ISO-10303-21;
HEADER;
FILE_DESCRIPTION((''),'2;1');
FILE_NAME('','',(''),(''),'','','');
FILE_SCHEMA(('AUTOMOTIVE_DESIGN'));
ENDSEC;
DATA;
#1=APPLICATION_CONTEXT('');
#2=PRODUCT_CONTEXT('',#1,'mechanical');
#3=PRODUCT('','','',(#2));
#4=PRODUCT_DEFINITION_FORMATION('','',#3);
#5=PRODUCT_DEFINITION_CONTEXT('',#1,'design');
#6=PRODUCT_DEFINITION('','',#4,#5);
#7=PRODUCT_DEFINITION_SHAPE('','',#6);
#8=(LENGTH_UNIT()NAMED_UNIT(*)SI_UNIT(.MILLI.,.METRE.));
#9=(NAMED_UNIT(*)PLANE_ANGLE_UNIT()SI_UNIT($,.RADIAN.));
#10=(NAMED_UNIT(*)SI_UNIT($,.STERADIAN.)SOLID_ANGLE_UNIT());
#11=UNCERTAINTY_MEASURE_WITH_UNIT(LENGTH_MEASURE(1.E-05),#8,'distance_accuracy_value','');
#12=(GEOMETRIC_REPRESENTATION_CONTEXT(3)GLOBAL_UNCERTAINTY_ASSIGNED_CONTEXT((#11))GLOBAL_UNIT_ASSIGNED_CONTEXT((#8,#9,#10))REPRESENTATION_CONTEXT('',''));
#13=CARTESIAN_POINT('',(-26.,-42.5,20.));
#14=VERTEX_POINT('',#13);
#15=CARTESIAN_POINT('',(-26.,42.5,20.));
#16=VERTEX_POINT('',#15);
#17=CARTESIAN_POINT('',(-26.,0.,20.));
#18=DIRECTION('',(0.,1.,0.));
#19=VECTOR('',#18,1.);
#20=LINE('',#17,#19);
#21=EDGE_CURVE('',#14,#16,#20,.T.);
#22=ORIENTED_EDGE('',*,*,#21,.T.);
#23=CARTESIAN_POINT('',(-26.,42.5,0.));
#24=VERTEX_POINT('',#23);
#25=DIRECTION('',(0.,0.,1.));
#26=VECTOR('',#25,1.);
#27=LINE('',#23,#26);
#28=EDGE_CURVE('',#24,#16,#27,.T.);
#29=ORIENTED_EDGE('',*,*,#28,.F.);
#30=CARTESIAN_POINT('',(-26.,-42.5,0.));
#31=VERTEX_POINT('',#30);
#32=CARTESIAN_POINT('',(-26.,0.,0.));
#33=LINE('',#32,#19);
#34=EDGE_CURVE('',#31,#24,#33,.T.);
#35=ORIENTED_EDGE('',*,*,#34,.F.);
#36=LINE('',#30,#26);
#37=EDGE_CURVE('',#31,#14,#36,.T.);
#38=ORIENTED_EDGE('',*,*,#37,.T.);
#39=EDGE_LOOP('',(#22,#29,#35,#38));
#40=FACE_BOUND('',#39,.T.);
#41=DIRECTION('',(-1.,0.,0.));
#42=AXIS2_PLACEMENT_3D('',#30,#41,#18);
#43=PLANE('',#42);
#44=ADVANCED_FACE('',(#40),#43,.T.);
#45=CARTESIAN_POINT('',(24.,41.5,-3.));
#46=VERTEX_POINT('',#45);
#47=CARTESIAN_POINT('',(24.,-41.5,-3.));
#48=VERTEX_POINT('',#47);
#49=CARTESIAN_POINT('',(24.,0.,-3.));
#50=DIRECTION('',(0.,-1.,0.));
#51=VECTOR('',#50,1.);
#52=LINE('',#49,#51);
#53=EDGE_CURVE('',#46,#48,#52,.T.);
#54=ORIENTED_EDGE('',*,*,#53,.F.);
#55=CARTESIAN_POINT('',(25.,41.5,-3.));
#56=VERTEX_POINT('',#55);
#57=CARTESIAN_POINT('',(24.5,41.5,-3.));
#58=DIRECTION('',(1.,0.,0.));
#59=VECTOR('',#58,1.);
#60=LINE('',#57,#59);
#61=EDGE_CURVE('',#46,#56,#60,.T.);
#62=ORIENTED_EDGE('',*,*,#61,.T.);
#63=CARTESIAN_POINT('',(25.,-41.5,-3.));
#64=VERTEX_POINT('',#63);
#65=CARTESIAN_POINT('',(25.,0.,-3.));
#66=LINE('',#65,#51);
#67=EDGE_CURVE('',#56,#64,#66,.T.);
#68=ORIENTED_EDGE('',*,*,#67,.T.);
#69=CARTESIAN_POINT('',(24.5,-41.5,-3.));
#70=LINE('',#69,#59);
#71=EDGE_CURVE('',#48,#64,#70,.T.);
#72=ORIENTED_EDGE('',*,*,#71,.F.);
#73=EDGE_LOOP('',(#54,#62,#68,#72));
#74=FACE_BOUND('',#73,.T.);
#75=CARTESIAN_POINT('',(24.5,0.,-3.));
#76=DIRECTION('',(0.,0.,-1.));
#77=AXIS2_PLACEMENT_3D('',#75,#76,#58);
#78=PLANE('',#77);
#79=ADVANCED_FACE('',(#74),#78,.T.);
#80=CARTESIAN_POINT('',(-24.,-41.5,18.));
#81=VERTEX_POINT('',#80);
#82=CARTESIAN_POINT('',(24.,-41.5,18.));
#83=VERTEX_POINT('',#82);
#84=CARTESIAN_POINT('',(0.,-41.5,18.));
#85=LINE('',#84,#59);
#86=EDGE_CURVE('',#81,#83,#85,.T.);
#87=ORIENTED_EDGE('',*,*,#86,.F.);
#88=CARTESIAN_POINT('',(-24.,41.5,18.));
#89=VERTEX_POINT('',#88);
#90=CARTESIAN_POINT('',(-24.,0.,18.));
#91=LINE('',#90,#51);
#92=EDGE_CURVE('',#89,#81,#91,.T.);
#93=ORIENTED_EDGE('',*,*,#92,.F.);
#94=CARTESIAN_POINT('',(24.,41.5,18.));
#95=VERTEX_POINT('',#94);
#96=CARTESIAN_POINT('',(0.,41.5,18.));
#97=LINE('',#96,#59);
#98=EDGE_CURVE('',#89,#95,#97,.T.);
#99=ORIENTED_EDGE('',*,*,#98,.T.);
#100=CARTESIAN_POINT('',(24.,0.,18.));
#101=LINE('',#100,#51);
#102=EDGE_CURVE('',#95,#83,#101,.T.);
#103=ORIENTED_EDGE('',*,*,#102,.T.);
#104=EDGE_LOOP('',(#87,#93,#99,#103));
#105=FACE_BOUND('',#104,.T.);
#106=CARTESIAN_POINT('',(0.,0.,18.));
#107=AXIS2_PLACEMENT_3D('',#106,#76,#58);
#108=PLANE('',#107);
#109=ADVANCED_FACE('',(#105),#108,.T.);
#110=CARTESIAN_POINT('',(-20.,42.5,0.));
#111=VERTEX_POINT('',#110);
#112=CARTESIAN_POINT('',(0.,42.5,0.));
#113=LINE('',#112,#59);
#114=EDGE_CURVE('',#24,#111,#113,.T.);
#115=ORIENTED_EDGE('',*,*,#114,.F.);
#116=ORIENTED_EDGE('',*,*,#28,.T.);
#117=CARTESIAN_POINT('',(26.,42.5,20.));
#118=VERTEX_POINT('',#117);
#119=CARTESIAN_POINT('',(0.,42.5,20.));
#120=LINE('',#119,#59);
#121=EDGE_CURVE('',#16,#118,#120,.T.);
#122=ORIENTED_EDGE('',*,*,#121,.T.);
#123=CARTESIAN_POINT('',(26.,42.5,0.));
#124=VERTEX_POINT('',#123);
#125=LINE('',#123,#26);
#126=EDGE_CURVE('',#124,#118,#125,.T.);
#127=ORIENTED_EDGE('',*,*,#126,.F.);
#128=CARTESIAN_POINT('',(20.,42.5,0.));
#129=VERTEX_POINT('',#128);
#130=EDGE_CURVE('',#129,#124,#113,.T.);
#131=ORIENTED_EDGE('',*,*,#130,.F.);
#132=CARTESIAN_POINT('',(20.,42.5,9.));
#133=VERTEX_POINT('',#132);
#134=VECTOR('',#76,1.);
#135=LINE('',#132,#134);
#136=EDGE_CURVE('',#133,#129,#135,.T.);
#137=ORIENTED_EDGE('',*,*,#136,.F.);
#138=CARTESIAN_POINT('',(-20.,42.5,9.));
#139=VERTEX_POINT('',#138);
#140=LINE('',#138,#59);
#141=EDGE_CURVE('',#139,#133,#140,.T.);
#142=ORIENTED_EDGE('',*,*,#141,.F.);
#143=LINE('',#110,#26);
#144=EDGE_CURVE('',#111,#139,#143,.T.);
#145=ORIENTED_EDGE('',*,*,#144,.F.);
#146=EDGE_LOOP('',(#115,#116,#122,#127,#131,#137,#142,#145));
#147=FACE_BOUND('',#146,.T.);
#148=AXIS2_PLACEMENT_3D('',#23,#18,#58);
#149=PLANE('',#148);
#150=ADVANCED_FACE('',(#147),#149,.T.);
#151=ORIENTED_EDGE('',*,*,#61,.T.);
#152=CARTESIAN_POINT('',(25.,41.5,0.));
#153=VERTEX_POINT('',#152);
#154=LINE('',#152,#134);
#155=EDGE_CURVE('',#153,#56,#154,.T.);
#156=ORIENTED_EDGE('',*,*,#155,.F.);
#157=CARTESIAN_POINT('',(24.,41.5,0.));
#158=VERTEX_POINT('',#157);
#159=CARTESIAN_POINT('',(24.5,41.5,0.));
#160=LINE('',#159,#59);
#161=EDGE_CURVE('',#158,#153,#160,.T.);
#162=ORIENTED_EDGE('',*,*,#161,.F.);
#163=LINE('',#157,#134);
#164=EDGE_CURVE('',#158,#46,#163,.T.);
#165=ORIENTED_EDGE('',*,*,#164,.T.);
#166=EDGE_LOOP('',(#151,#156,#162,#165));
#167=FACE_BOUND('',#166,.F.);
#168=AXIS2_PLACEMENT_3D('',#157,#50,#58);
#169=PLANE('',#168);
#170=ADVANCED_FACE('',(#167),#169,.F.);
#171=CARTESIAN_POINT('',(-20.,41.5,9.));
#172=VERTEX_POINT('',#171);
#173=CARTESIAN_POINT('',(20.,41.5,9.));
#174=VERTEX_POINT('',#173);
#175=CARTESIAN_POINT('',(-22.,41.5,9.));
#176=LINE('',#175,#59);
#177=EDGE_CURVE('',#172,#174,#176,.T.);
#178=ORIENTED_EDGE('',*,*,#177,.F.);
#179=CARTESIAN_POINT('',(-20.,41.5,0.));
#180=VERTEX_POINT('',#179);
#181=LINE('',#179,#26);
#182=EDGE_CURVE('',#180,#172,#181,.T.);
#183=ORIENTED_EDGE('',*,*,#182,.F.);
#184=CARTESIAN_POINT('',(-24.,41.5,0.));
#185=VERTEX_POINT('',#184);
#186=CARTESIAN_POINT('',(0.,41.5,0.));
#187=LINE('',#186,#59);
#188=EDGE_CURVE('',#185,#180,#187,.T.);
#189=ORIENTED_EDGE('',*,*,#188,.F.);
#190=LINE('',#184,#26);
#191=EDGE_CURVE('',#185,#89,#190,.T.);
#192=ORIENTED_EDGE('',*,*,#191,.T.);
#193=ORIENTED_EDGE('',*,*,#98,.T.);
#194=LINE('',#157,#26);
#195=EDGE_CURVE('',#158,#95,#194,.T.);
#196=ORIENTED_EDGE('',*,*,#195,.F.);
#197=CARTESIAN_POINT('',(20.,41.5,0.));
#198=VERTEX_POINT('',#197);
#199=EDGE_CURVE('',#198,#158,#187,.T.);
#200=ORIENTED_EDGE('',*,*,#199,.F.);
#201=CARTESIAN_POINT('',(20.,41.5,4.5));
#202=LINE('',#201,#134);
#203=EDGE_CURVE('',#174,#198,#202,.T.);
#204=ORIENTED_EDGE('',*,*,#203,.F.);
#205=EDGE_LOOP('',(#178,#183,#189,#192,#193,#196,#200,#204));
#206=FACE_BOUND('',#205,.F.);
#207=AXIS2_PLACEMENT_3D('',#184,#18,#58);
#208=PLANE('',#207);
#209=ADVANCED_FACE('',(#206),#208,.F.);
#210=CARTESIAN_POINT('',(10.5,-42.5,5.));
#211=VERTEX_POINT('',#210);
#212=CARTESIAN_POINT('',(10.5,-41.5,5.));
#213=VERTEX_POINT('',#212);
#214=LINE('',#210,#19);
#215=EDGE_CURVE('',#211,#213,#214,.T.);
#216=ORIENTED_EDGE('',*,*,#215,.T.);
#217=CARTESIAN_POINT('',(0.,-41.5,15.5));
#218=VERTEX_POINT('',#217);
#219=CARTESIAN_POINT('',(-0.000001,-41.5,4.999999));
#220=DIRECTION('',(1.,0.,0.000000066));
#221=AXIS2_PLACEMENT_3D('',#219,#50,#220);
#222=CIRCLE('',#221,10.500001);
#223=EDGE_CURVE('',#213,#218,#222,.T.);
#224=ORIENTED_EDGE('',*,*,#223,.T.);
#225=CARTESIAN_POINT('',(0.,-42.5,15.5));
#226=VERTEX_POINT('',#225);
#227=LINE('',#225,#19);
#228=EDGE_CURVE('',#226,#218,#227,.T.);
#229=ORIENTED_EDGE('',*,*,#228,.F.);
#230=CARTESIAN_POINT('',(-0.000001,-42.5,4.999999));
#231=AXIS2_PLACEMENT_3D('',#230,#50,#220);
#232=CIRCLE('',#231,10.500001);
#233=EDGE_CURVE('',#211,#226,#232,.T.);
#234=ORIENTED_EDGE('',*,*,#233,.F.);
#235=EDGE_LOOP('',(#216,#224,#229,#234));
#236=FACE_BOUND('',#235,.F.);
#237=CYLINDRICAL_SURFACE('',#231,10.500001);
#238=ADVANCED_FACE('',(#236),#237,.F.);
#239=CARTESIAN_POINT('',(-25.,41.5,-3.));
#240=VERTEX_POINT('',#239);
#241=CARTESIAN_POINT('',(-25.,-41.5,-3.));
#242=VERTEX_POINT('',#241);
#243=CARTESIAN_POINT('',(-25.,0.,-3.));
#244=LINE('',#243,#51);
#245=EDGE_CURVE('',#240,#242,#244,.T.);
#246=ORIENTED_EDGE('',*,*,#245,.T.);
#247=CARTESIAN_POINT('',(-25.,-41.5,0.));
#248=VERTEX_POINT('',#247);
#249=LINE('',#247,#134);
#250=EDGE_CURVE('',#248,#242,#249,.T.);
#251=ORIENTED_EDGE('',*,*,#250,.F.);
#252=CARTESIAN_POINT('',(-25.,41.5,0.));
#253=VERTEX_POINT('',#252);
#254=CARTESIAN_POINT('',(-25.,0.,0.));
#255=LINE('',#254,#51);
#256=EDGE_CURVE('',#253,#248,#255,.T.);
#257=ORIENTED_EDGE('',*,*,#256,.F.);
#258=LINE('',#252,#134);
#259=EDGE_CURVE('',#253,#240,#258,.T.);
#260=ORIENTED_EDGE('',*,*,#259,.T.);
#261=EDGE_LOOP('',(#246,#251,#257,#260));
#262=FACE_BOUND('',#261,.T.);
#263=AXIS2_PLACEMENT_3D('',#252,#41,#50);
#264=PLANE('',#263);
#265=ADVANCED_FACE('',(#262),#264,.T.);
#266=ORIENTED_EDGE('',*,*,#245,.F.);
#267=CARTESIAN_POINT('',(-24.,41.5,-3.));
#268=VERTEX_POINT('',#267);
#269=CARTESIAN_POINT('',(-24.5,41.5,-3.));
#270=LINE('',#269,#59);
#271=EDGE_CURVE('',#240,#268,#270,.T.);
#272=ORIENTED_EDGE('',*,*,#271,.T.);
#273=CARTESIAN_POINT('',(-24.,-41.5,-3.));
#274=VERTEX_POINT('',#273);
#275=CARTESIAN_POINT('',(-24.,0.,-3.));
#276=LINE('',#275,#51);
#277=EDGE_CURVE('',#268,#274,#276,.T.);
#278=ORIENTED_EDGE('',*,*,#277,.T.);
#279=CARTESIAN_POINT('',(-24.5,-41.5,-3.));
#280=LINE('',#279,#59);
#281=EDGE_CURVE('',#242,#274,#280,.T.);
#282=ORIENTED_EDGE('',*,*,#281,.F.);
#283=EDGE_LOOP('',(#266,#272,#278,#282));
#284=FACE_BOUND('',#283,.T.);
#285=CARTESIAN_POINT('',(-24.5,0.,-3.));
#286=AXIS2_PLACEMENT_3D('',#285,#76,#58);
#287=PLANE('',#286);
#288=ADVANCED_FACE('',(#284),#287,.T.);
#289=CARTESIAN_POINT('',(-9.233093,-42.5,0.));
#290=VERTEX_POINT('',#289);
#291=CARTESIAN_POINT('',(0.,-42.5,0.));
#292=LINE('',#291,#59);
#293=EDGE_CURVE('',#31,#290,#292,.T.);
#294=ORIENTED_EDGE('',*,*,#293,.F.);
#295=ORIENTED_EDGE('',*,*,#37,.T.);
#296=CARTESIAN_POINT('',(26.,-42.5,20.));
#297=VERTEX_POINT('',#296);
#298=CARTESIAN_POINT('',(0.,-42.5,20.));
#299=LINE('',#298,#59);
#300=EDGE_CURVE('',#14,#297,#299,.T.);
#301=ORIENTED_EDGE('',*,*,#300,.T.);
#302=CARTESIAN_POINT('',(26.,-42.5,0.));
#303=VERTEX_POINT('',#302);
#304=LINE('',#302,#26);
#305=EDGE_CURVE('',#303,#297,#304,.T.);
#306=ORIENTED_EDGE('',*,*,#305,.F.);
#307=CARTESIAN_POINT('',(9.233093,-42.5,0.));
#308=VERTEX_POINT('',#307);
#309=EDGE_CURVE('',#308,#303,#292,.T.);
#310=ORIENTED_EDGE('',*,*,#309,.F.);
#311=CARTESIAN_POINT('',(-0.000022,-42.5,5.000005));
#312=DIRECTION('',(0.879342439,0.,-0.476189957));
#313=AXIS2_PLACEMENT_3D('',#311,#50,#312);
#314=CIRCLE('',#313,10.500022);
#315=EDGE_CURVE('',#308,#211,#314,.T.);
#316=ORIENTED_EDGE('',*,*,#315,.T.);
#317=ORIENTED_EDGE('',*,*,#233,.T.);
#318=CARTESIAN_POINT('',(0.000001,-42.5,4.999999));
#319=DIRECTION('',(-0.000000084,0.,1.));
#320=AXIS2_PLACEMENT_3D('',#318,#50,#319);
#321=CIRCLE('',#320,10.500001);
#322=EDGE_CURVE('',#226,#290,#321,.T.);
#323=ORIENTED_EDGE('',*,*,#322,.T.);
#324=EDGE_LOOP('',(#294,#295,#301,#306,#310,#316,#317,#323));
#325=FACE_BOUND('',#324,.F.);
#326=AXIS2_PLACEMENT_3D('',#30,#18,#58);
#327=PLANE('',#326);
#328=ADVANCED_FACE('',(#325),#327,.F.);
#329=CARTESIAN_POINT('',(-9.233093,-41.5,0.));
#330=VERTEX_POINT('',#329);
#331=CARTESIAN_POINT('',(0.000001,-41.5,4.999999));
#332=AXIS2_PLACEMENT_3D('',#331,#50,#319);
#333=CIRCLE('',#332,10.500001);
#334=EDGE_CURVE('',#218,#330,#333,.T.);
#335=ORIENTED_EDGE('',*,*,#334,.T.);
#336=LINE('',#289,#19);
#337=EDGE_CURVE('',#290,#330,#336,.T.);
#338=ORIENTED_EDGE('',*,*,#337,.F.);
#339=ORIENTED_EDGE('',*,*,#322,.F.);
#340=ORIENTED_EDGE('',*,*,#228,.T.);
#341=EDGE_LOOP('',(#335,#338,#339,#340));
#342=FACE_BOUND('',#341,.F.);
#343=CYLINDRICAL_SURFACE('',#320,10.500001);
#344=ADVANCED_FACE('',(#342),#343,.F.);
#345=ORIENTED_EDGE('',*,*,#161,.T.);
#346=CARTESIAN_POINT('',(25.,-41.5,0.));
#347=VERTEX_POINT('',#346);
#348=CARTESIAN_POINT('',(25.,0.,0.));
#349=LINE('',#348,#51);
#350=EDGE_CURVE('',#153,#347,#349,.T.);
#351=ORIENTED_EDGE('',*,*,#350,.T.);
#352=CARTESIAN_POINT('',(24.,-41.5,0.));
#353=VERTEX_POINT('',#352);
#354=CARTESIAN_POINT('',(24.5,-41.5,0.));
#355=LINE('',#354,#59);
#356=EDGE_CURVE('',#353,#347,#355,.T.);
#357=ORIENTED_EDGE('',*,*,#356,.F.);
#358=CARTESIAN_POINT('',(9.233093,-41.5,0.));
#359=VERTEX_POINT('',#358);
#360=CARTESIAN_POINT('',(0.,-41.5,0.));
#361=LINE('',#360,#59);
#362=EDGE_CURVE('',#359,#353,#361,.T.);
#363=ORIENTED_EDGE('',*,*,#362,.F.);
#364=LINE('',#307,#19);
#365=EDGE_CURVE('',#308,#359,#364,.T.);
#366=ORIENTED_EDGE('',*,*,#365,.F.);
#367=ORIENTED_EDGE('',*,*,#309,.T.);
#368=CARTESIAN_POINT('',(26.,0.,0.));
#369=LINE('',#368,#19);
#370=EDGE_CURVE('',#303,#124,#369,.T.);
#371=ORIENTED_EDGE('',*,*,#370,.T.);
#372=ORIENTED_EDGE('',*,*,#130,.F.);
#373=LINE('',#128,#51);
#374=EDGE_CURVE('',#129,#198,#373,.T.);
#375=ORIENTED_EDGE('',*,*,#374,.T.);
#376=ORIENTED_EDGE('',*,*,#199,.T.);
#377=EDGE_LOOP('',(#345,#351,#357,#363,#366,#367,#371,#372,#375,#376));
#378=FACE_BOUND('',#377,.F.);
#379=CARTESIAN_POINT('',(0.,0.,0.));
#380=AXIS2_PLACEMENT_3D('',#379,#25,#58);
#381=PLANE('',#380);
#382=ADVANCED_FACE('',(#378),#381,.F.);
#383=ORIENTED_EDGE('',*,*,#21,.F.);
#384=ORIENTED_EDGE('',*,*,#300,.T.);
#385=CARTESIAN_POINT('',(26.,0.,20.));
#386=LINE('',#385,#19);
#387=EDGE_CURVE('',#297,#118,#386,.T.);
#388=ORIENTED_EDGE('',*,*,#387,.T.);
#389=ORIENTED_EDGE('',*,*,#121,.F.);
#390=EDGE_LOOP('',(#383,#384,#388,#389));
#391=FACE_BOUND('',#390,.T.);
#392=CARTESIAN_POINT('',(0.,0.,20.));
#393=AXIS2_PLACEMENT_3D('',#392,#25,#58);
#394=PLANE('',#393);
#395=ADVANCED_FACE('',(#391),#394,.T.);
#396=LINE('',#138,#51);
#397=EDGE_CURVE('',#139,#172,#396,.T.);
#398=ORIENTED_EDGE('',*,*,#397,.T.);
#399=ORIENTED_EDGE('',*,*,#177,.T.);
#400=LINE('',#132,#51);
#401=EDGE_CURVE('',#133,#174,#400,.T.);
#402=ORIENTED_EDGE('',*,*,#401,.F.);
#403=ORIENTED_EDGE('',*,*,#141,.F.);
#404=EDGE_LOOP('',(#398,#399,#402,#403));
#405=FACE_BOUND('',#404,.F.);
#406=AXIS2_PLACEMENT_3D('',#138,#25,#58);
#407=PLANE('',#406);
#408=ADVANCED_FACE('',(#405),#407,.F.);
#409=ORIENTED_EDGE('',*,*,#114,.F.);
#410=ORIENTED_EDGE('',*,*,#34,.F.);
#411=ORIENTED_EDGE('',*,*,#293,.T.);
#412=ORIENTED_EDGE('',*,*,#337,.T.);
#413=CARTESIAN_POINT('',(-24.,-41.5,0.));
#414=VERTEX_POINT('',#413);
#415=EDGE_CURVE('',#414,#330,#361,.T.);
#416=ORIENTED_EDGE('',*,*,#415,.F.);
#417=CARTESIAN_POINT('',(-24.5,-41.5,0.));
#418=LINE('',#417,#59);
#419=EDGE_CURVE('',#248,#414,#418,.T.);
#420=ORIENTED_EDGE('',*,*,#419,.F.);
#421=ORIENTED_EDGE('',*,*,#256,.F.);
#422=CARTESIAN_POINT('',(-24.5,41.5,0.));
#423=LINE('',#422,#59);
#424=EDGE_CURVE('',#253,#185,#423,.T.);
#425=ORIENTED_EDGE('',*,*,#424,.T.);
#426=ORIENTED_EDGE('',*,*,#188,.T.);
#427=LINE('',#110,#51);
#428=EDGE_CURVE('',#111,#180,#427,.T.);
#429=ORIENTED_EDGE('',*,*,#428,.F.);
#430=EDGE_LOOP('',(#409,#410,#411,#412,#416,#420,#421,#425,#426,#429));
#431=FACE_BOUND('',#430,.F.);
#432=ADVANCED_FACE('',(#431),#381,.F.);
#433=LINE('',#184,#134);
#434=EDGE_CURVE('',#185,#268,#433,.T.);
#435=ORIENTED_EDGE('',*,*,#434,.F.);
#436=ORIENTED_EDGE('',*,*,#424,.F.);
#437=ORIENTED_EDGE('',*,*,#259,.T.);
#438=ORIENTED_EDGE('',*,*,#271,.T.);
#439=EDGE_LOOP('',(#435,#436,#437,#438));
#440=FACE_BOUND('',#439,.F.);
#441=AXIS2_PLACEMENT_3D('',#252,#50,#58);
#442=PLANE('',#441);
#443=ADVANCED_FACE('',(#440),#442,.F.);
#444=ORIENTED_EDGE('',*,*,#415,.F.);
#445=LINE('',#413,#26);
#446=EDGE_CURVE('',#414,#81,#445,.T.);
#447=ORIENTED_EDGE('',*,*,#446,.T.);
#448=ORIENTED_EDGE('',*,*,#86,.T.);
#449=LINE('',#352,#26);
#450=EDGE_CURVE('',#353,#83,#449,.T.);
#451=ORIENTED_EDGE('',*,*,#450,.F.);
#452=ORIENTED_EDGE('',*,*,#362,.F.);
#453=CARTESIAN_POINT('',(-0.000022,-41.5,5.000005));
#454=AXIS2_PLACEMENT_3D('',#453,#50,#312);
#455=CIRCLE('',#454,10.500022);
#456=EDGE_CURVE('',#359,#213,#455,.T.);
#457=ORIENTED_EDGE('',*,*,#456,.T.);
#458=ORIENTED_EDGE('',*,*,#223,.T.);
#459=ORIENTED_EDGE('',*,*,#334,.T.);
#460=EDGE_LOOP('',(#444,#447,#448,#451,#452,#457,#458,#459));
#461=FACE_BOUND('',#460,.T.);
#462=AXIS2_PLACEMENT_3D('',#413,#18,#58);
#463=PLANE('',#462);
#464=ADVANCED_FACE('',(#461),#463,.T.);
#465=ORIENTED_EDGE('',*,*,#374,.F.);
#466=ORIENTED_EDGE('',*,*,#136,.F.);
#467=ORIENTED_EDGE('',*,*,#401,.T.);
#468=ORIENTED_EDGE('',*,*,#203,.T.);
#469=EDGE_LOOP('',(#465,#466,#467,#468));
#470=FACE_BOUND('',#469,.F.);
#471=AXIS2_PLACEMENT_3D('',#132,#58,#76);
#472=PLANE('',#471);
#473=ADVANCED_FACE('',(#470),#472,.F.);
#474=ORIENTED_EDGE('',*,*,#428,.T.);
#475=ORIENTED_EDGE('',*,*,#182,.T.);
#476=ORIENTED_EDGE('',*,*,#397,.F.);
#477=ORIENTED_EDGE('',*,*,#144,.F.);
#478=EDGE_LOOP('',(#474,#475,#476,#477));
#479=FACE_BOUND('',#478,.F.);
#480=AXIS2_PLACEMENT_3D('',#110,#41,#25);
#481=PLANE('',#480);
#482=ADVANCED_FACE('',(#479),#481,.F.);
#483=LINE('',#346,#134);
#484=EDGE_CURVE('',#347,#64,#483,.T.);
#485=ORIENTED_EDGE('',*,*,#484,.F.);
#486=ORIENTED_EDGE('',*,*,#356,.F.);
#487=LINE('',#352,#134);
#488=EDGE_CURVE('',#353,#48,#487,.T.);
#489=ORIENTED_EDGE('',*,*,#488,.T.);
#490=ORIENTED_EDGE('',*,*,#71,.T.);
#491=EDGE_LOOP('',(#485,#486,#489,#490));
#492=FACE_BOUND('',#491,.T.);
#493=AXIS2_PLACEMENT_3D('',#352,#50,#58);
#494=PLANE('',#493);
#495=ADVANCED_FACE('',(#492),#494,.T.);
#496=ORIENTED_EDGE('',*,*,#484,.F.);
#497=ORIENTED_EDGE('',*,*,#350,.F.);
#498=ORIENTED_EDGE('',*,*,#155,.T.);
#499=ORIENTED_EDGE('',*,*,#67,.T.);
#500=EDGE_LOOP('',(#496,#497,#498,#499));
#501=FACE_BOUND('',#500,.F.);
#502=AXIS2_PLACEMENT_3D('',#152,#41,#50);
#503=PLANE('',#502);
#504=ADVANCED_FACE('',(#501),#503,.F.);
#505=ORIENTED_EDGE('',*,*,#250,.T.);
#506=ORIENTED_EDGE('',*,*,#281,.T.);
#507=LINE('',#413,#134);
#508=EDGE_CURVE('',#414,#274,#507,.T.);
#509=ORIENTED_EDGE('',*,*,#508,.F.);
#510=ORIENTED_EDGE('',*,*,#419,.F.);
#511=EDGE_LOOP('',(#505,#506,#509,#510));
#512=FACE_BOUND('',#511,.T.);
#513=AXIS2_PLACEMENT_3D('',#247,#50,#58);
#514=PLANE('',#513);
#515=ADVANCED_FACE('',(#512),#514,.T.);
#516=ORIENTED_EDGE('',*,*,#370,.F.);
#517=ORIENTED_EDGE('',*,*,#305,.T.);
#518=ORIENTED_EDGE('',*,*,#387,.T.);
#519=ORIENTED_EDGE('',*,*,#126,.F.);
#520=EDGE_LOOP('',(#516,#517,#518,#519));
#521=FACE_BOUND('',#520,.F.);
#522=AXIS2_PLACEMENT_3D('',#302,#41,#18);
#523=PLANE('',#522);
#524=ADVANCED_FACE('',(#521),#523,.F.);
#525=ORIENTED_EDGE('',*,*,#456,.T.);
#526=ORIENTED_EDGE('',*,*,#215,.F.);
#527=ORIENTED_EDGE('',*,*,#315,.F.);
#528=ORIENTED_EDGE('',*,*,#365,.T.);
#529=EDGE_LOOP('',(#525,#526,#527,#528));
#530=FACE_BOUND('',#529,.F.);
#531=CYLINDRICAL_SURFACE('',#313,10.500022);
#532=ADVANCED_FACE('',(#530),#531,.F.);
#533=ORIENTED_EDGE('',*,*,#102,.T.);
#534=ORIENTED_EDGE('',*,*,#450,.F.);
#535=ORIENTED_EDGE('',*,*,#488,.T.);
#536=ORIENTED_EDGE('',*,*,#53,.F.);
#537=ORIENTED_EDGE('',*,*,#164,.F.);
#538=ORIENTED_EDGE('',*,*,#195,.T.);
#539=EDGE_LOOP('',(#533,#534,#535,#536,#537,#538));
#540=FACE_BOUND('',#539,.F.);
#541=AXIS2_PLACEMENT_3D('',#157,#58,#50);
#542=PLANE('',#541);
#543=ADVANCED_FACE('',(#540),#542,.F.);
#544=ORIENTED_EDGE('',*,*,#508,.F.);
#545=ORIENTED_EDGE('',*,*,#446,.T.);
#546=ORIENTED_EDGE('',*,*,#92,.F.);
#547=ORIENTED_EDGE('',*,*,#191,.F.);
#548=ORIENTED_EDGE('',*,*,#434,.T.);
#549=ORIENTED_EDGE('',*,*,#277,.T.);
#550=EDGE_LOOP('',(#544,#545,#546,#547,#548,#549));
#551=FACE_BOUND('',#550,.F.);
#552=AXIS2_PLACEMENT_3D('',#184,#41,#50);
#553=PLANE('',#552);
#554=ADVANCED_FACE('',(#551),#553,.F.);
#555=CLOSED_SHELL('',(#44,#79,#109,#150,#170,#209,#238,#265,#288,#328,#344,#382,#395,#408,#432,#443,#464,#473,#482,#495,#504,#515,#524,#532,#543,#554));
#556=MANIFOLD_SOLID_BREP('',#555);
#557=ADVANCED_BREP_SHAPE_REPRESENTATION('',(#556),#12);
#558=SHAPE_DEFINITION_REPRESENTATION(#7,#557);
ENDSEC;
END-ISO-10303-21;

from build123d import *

# Parameters (mm, degrees)
F0_W     = 52
F0_H     = 85
F1_DEPTH = 20
F2_W     = 48
F2_H     = 83
F3_DEPTH = 18
F4_W     = 1
F4_H     = 83
F5_DEPTH = 3
F7_DEPTH = 25
F9_DEPTH = 25


with BuildPart() as f1:
    # F0 (on Top) → F1 (new body)
    with BuildSketch(Plane.XY):
        Rectangle(F0_W, F0_H)
    extrude(amount=F1_DEPTH)

    # F2 (on face) → F3 (cut)
    with BuildSketch(Plane(origin=(0, 0, 0), x_dir=(1, 0, 0), z_dir=(0, 0, -1))):
        Rectangle(F2_W, F2_H)
    extrude(amount=-F3_DEPTH, mode=Mode.SUBTRACT)

    # F4 (on face) → F5 (join)
    with BuildSketch(Plane(origin=(0, 0, 0), x_dir=(1, 0, 0), z_dir=(0, 0, -1))):
        with Locations((-24.5, 0)):
            Rectangle(F4_W, F4_H)
        with Locations((24.5, 0)):
            Rectangle(F4_W, F4_H)
    extrude(amount=F5_DEPTH)

    # F6 (on face) → F7 (cut)
    with BuildSketch(Plane(origin=(0, 42.5, 0), x_dir=(-1, 0, 0), z_dir=(0, 1, 0))):
        Polygon((-20, 0), (0, 0), (20, 0), (20, 9), (-20, 9), align=None)
    extrude(amount=-F7_DEPTH, mode=Mode.SUBTRACT)

    # F8 (on face) → F9 (cut)
    with BuildSketch(Plane.XZ.offset(42.5)):
        with BuildLine():
            ThreePointArc((10.5, 5), (7.424621, 12.424621), (0, 15.5))
            ThreePointArc((0, 15.5), (-9.020809, 10.373546), (-9.233093, 0))
            Line((-9.233093, 0), (9.233093, 0))
            ThreePointArc((9.233093, 0), (10.178346, 2.420996), (10.5, 5))
        make_face()
    extrude(amount=-F9_DEPTH, mode=Mode.SUBTRACT)


solid = f1.part
